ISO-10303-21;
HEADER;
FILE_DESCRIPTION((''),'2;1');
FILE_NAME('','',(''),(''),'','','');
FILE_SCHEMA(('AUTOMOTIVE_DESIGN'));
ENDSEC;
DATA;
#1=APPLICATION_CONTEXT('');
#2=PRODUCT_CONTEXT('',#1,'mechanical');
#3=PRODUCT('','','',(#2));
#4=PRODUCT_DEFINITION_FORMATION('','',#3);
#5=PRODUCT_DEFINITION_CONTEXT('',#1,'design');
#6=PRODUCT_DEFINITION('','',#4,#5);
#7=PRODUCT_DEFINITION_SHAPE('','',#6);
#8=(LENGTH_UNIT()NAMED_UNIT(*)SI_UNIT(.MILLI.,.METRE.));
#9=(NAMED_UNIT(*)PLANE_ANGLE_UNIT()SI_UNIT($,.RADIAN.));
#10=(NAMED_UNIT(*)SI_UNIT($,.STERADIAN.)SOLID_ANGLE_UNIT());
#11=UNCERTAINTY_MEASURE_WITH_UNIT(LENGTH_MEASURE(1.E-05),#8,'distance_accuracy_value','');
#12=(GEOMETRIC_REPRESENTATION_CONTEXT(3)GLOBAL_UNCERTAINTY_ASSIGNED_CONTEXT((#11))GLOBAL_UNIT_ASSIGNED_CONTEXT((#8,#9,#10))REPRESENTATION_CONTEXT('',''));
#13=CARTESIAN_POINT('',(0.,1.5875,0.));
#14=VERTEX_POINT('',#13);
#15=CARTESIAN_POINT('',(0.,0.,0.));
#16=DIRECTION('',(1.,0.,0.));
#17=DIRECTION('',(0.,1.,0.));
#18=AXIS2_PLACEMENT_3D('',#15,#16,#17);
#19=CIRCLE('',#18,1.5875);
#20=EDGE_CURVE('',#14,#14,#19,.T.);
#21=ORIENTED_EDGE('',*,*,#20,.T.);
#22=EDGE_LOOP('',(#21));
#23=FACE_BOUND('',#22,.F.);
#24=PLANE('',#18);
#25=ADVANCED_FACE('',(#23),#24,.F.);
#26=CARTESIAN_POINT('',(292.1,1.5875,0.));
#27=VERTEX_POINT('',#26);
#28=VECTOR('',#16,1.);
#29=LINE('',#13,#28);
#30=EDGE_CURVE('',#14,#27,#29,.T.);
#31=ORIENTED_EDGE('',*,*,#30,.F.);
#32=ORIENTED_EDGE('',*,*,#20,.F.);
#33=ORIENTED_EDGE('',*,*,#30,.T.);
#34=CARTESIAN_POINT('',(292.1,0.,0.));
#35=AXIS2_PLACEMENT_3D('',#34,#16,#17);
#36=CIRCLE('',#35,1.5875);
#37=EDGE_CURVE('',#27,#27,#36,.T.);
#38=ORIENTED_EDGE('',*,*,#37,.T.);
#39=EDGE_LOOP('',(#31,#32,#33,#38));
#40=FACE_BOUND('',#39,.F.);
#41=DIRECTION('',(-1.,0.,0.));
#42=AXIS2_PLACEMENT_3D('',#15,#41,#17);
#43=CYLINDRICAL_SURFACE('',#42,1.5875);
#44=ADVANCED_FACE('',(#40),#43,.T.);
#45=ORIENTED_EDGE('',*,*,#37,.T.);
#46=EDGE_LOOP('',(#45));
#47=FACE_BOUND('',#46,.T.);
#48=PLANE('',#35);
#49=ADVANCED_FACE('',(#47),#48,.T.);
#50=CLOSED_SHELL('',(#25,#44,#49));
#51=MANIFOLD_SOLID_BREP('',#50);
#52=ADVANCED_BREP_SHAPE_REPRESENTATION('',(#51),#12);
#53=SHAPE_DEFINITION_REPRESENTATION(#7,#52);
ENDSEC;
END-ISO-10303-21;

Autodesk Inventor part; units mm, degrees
ref_plane "YZ Plane" through (0, 0, 0) normal (1, 0, 0) x (0, 1, 0)
ref_plane "XZ Plane" through (0, 0, 0) normal (0, 1, 0) x (-1, 0, 0)
ref_plane "XY Plane" through (0, 0, 0) normal (0, 0, 1) x (1, 0, 0)
sketch "Sketch1" plane through (0, 0, 0) normal (1, 0, 0) x (0, 1, 0)
  circle A0 centre (0, 0) radius 1.5875
  dimension "d0" = 3.175
extrude "Extrusion1" add sketch "Sketch1" along normal blind 292.1
thread "Thread1" size "5-40 UNC" class "2A" standard "ANSI Unified Screw Threads" full length
properties part number "midshipsThreadedRodThread_5_40" material "Stainless Steel, Polished"
